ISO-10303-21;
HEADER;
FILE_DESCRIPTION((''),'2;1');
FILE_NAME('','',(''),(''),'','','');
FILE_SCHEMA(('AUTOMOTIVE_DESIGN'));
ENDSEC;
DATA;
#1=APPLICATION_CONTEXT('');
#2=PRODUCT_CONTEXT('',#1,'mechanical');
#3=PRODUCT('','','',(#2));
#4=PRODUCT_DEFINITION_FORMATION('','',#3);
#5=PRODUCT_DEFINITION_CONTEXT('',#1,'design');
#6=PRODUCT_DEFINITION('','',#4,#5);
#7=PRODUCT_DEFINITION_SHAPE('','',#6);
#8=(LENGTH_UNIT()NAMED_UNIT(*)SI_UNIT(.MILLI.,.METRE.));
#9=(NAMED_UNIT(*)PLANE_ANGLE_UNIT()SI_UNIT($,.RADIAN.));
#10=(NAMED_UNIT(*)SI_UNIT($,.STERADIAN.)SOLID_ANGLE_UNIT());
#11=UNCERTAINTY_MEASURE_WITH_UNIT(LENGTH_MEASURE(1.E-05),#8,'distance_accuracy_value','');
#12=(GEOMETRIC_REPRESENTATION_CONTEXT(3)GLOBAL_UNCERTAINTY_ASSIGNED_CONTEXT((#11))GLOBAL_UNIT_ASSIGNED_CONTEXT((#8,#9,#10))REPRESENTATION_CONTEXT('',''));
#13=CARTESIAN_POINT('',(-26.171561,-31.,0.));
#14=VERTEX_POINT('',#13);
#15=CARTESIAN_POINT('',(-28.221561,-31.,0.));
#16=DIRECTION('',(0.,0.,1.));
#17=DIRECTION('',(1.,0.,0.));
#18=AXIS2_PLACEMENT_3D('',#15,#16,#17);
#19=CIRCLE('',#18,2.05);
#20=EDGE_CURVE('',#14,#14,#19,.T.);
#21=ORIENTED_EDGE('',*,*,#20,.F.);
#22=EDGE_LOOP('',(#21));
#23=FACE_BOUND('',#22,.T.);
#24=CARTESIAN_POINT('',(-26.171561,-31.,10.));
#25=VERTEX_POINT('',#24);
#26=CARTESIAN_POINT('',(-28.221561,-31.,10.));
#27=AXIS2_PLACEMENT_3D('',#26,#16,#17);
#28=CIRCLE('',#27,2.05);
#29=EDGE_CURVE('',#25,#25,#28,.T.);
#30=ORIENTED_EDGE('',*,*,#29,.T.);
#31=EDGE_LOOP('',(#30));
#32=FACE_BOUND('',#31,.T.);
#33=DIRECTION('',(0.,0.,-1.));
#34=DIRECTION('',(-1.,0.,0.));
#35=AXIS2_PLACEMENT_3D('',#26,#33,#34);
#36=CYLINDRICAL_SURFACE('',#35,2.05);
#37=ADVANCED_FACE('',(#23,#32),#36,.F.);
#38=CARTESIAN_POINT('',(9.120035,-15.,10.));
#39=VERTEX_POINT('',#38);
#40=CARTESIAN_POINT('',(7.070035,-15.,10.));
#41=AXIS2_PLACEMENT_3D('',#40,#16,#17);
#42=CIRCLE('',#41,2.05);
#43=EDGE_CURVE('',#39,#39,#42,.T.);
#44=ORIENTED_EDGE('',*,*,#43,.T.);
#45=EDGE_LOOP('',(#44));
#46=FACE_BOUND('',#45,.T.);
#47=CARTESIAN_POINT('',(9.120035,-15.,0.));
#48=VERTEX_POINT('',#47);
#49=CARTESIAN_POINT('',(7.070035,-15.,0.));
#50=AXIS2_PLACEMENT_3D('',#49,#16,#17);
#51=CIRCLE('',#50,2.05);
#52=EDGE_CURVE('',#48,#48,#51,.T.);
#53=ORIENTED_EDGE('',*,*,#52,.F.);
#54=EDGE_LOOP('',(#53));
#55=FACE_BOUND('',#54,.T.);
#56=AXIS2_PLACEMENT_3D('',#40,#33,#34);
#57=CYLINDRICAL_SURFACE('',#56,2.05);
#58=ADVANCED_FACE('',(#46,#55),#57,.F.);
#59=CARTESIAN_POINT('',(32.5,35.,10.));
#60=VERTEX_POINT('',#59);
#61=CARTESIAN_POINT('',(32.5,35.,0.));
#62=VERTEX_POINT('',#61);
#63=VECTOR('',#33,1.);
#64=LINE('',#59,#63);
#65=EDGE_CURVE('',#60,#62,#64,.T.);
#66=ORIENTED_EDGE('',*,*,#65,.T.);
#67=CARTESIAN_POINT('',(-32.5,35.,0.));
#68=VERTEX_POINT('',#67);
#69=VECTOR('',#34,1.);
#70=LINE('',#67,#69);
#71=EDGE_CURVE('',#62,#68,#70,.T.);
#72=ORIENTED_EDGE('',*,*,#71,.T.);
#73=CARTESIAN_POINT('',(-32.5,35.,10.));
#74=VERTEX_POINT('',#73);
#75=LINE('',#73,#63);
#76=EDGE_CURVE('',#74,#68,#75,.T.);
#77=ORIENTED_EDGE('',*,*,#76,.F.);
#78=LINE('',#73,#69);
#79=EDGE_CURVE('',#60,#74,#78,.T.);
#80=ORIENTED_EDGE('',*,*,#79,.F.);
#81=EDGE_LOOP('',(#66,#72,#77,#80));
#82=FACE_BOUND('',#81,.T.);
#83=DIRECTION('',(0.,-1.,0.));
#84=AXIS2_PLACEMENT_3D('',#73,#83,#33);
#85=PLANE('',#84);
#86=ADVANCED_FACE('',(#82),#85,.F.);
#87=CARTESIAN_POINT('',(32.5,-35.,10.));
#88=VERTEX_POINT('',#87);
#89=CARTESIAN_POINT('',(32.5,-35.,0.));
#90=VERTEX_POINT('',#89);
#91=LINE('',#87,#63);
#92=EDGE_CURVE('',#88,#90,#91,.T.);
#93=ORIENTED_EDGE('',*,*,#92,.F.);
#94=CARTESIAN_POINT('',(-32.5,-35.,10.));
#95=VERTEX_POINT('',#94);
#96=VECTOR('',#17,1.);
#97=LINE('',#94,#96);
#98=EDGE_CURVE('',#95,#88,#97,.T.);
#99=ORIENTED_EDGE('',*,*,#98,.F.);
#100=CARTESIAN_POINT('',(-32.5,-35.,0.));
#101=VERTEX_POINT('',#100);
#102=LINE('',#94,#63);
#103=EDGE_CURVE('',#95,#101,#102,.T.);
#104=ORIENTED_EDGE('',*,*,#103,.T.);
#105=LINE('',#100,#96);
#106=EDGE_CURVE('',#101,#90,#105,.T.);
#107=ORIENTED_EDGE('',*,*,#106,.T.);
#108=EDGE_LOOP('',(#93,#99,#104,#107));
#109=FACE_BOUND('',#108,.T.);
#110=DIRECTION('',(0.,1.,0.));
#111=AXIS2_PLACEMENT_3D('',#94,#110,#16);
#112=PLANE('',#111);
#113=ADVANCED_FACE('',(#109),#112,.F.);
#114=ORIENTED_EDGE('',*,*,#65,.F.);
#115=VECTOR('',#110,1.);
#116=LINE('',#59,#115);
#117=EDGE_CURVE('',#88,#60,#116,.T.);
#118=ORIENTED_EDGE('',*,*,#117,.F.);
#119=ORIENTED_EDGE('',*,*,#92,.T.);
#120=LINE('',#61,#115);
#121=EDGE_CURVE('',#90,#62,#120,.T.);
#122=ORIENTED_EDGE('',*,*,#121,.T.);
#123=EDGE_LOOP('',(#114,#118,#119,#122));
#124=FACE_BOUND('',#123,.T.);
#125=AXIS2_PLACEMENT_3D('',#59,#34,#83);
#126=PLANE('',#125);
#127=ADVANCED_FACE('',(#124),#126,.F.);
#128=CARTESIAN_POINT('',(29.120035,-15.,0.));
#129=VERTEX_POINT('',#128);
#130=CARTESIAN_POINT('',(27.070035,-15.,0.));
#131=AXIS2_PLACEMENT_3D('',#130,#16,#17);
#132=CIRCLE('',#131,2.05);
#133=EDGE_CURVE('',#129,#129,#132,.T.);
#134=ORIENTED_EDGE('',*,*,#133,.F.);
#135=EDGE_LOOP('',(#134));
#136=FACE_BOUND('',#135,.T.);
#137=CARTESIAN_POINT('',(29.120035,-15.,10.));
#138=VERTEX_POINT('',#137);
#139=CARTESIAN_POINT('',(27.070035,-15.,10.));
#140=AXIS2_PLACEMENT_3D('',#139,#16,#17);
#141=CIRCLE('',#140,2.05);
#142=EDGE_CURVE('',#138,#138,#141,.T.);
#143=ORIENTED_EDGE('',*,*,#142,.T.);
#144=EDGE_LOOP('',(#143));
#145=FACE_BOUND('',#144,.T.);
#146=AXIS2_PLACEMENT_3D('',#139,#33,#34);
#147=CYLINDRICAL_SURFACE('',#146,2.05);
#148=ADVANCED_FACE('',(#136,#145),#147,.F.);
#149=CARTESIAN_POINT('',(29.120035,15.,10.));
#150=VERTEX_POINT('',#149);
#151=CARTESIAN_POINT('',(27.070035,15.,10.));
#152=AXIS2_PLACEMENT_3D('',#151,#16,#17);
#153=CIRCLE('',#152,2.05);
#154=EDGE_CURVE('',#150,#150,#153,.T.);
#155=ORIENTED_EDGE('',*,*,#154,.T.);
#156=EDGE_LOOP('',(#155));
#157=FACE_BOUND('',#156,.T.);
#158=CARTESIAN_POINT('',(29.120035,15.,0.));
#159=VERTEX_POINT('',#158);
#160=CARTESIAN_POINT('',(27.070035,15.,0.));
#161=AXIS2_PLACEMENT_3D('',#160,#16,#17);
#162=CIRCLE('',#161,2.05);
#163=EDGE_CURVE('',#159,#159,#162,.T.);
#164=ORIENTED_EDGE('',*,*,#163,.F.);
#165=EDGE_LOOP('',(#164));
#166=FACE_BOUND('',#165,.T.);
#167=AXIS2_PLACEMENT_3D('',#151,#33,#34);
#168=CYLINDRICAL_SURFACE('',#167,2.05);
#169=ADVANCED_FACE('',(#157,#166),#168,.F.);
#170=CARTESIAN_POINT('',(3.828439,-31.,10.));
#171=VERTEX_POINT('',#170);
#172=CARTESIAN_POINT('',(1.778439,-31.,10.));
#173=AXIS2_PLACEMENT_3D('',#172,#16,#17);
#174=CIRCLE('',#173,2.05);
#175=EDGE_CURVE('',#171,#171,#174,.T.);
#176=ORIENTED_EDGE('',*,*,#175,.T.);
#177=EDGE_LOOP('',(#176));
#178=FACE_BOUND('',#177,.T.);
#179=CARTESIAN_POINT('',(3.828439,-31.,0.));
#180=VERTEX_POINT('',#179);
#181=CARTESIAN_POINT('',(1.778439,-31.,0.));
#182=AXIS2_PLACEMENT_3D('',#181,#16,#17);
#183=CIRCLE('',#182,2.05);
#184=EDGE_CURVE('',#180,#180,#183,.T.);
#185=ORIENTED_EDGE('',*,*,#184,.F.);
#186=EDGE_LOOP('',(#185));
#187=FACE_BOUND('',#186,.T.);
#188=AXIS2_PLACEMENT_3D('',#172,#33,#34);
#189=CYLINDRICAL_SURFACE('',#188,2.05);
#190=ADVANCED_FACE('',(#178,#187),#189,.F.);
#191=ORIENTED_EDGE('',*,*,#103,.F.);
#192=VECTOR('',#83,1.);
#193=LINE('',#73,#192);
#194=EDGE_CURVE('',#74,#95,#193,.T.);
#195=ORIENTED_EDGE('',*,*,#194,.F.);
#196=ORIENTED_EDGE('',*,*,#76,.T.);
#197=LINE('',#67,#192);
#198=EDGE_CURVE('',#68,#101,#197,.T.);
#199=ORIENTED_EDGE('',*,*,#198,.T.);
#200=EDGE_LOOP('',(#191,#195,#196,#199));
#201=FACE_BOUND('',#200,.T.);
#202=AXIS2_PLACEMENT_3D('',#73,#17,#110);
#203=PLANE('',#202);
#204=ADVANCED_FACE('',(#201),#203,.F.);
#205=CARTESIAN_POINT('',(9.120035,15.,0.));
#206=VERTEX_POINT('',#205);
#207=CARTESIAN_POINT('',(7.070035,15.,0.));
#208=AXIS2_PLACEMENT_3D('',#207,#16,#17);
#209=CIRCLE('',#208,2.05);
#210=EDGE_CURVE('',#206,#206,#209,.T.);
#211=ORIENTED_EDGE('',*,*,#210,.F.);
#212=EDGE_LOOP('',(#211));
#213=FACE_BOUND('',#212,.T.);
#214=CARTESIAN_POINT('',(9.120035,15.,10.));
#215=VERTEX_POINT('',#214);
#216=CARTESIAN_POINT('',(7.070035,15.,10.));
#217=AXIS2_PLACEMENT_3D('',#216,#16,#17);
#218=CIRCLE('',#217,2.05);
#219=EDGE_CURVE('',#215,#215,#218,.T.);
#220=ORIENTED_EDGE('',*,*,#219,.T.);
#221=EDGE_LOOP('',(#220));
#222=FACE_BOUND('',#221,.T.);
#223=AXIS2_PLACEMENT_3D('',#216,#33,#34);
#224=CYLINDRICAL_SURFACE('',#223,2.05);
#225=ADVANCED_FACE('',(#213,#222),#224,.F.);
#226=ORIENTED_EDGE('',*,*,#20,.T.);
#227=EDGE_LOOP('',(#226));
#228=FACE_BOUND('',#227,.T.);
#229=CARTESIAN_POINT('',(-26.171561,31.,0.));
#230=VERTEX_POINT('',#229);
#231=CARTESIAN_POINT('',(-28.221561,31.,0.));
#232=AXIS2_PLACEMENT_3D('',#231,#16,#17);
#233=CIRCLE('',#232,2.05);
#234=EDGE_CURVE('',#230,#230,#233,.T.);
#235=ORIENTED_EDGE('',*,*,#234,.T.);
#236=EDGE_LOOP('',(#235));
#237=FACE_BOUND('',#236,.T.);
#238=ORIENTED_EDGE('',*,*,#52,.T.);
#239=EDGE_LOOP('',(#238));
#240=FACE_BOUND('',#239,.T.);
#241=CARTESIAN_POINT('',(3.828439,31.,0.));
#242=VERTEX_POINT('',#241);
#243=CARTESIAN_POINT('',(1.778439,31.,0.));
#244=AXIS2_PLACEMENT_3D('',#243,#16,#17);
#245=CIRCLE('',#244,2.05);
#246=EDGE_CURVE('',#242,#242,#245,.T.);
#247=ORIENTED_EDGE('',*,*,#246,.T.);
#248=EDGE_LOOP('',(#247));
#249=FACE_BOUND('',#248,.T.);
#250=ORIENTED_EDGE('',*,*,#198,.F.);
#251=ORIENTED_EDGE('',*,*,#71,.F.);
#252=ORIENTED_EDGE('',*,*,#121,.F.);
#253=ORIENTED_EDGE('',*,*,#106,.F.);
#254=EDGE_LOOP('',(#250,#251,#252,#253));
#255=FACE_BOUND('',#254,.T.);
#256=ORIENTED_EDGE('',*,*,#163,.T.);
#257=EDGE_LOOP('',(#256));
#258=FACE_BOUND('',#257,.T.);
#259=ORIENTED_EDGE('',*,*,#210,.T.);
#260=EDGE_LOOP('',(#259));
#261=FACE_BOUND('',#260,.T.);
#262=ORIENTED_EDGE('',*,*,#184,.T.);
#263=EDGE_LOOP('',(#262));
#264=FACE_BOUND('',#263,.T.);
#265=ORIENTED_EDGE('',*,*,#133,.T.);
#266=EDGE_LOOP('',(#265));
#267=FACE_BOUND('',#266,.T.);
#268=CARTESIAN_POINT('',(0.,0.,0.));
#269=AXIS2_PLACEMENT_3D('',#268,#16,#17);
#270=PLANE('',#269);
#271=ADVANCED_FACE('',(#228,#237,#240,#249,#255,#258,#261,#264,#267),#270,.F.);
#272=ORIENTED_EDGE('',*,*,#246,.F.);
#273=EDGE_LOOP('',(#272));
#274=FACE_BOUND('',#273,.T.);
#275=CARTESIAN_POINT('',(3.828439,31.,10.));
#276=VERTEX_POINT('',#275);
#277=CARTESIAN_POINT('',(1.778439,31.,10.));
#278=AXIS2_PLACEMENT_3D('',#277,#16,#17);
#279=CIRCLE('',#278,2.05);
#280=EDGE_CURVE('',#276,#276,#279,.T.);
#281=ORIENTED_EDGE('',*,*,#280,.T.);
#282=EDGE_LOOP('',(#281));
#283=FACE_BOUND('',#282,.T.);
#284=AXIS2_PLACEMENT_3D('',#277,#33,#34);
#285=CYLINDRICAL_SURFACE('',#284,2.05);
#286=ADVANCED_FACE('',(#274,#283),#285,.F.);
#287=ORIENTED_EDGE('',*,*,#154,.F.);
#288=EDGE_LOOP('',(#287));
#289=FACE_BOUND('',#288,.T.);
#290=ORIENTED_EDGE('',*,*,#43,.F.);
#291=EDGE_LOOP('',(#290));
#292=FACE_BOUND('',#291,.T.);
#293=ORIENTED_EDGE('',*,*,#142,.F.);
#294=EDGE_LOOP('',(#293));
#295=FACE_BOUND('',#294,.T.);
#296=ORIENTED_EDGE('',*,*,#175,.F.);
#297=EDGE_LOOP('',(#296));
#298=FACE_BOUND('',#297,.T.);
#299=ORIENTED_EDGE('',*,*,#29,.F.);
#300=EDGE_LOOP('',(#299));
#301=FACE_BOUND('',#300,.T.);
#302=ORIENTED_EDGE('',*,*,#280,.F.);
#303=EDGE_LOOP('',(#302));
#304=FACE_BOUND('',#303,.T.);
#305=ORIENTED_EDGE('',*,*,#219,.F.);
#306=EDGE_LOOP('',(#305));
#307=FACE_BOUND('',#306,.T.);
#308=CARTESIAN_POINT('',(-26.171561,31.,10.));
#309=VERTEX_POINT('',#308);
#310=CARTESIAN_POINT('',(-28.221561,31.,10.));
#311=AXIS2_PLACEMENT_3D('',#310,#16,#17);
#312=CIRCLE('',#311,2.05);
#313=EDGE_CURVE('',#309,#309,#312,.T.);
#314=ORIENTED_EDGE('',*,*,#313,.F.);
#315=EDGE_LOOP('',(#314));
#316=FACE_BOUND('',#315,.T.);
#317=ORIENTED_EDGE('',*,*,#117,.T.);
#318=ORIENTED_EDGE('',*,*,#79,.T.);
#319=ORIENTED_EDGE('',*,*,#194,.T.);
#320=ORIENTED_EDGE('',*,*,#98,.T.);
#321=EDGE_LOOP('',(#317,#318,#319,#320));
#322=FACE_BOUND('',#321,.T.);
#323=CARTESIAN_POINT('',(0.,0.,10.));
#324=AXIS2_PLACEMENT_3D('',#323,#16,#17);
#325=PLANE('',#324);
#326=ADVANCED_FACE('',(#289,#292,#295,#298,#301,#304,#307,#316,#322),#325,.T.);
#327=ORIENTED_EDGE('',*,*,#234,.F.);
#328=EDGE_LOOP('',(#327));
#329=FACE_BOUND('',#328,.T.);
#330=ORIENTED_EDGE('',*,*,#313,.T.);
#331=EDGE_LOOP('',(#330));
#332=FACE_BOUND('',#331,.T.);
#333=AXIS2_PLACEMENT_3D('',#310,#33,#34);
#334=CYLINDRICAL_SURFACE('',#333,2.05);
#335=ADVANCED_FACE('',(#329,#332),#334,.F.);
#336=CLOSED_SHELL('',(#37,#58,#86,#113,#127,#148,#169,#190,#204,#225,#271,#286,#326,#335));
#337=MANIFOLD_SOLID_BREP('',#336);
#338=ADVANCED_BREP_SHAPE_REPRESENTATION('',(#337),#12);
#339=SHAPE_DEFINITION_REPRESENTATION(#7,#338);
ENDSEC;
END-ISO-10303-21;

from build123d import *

# Parameters (mm, degrees)
SKETCH1_W           = 65
SKETCH1_H           = 70
SKETCH1_R           = 2.05
BOSS_EXTRUDE1_DEPTH = 10


with BuildPart() as part:
    # Sketch1 → Boss-Extrude1 (new body)
    with BuildSketch(Plane.XY):
        Rectangle(SKETCH1_W, SKETCH1_H)
        with Locations((-28.221560834, 31)):
            Circle(SKETCH1_R, mode=Mode.SUBTRACT)
        with Locations((1.778439166, 31)):
            Circle(SKETCH1_R, mode=Mode.SUBTRACT)
        with Locations((1.778439166, -31)):
            Circle(SKETCH1_R, mode=Mode.SUBTRACT)
        with Locations((-28.221560834, -31)):
            Circle(SKETCH1_R, mode=Mode.SUBTRACT)
        with Locations((27.070034525, 15)):
            Circle(SKETCH1_R, mode=Mode.SUBTRACT)
        with Locations((7.070034525, 15)):
            Circle(SKETCH1_R, mode=Mode.SUBTRACT)
        with Locations((7.070034525, -15)):
            Circle(SKETCH1_R, mode=Mode.SUBTRACT)
        with Locations((27.070034525, -15)):
            Circle(SKETCH1_R, mode=Mode.SUBTRACT)
    extrude(amount=BOSS_EXTRUDE1_DEPTH)


solid = part.part
